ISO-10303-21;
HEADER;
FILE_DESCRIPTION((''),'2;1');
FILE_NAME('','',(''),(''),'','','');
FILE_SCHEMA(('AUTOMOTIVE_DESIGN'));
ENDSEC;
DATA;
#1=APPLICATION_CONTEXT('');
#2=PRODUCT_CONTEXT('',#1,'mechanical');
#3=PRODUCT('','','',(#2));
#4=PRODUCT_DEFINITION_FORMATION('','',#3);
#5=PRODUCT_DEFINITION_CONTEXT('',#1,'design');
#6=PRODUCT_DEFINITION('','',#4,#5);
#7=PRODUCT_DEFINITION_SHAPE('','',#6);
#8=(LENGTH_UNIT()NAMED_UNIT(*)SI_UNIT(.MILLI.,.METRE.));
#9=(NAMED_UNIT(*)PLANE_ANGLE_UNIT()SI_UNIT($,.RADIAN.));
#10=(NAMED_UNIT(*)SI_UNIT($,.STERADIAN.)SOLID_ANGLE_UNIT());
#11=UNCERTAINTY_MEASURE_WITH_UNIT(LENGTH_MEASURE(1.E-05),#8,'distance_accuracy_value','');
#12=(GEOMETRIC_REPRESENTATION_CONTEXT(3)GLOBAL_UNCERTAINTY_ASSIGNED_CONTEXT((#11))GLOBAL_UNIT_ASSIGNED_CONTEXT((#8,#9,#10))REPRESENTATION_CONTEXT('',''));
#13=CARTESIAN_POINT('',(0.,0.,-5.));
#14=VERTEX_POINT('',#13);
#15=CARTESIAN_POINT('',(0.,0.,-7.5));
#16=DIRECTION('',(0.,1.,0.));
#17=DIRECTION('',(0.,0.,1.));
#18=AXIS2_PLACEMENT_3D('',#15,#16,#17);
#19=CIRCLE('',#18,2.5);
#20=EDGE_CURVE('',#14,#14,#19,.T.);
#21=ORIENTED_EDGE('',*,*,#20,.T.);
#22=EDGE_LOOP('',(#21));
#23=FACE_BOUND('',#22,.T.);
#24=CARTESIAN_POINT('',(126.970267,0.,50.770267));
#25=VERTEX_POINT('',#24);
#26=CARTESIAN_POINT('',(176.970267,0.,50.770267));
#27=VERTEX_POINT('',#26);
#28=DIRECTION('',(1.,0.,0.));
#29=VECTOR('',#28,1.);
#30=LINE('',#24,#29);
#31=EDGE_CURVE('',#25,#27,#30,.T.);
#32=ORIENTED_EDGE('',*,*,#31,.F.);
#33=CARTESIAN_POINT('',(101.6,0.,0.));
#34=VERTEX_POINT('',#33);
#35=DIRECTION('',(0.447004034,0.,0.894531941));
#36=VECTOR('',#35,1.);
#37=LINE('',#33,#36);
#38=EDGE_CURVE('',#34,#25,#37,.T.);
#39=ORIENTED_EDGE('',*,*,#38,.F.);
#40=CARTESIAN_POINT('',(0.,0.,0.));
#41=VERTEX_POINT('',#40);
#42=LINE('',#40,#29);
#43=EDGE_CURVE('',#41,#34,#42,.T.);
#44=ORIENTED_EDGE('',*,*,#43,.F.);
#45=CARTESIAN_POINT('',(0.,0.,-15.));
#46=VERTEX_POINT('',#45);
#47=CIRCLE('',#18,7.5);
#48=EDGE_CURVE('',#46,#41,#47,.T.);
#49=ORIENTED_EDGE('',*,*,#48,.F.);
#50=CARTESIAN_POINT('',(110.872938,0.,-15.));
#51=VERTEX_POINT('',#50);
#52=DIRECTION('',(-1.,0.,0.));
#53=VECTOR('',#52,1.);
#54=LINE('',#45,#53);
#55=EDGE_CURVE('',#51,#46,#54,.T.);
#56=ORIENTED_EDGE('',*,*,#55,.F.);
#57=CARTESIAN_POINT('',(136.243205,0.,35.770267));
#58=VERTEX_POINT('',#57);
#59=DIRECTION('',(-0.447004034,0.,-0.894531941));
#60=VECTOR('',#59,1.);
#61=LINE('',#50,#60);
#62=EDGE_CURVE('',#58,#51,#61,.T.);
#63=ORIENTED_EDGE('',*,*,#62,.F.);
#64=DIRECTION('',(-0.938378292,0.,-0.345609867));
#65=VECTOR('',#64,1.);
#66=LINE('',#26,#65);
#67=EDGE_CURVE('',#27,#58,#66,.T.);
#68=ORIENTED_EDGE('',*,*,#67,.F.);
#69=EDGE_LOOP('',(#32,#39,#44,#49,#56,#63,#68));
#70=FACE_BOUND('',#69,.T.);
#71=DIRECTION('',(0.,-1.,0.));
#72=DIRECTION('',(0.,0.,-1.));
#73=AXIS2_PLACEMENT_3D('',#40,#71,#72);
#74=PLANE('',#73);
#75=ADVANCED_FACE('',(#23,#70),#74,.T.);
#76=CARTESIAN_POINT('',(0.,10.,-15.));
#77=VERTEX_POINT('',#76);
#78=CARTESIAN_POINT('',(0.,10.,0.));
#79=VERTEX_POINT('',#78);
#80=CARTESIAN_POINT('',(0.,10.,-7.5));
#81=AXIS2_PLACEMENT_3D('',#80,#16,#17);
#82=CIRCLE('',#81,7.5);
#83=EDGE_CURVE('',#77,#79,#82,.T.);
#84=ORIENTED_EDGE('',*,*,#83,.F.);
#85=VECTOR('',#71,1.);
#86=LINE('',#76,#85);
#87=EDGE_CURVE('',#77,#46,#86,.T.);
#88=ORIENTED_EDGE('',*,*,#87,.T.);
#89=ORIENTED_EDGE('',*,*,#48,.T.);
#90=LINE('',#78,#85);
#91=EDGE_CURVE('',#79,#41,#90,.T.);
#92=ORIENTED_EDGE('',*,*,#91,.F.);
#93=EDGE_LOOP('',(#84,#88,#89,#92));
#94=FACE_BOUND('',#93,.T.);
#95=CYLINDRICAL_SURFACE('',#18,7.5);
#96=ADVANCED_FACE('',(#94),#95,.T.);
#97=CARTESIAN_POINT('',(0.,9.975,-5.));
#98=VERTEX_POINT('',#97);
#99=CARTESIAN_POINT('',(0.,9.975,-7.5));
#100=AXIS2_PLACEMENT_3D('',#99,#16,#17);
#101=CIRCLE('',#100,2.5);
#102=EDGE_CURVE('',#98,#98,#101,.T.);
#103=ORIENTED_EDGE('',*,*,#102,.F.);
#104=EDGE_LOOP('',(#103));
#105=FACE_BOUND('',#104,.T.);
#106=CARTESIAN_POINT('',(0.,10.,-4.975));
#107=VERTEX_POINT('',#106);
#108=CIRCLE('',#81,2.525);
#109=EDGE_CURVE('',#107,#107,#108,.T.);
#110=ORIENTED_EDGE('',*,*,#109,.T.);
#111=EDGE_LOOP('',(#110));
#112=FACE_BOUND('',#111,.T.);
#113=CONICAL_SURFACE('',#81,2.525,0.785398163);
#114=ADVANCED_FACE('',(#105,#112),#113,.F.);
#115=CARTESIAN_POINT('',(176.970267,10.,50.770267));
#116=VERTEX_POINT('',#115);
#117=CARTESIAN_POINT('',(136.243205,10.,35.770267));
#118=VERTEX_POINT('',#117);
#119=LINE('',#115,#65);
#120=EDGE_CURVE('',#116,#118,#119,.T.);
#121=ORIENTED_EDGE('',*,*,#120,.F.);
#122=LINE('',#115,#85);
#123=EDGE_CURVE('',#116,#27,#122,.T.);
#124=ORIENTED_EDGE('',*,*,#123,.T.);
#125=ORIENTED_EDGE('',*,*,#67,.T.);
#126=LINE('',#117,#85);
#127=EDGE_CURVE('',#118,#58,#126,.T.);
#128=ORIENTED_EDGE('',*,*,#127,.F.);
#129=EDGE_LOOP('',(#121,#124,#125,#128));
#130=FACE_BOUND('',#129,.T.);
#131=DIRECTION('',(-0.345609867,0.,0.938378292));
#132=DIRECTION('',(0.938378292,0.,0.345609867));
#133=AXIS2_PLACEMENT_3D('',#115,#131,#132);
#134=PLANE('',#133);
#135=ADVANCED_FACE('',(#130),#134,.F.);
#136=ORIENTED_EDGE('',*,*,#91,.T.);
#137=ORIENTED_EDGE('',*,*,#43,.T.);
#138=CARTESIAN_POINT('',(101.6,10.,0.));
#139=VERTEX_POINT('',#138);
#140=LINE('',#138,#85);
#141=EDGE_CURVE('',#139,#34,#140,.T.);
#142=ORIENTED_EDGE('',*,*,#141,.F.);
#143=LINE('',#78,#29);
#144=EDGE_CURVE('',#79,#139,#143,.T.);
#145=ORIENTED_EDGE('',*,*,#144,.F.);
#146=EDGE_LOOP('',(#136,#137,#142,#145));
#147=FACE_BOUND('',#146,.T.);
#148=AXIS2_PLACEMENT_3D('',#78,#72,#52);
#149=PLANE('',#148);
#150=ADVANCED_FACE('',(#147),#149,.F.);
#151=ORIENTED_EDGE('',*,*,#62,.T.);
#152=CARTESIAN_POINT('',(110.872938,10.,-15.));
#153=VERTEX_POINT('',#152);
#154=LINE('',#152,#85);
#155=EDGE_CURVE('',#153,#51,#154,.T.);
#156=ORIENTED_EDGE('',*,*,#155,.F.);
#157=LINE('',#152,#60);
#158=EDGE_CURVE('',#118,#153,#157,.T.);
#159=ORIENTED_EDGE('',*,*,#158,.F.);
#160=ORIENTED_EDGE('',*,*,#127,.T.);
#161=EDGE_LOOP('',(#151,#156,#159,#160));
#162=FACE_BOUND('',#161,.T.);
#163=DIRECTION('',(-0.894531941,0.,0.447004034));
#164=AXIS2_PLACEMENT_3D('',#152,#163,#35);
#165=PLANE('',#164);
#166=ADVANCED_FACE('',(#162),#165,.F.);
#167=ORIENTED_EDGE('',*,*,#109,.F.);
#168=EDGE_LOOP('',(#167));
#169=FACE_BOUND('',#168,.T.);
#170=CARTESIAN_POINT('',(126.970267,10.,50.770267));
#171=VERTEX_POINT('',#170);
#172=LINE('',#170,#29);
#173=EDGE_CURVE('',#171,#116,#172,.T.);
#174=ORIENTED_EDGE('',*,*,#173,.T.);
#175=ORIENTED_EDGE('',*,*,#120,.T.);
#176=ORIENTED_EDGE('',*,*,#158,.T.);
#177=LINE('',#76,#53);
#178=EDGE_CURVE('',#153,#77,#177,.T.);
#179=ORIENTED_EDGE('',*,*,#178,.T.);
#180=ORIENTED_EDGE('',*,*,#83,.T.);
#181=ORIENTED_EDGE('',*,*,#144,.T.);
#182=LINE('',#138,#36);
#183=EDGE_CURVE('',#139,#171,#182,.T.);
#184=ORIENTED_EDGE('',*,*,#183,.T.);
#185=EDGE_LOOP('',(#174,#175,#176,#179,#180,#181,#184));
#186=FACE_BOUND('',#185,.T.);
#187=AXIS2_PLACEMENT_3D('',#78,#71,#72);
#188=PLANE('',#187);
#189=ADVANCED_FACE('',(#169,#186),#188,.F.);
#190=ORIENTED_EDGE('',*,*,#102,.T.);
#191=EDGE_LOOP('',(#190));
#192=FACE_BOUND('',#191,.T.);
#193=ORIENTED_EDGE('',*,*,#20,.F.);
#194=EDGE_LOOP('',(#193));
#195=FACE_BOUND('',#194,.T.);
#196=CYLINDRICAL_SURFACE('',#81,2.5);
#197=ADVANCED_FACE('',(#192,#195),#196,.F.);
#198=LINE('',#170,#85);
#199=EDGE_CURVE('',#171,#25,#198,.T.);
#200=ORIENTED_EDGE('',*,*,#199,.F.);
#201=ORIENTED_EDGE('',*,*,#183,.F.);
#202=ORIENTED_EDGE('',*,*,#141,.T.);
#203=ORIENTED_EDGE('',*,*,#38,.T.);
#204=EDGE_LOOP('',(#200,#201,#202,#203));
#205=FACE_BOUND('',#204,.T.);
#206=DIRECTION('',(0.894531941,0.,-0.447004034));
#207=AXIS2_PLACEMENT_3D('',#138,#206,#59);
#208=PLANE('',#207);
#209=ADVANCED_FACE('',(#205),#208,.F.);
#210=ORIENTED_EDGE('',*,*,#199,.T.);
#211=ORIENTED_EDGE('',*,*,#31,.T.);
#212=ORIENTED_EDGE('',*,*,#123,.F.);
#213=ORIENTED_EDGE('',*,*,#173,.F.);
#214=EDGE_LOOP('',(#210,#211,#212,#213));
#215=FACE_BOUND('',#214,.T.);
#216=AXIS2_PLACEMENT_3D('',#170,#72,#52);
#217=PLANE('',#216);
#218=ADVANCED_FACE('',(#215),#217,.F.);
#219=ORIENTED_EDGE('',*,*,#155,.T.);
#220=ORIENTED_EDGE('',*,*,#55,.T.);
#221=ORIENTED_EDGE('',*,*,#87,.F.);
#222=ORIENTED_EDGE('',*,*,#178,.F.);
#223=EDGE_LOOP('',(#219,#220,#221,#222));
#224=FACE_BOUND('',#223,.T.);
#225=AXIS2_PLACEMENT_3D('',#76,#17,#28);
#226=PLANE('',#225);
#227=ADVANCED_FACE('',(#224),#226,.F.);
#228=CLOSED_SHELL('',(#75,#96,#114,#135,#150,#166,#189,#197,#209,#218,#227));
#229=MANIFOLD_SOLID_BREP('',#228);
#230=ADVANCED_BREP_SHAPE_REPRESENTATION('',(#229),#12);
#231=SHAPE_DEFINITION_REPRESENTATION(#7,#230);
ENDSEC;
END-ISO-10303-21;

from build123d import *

# Parameters (mm, degrees)
BOSS_EXTRUDE1_DEPTH             = 10
BOSS_EXTRUDE2_DEPTH             = 10
F_5_0MM_DOWEL_HOLE2_D           = 5
F_5_0MM_DOWEL_HOLE2_CSINK_D     = 5.05
F_5_0MM_DOWEL_HOLE2_CSINK_ANGLE = 90


with BuildPart() as part:
    # Sketch1 → Boss-Extrude1 (new body)
    with BuildSketch(Plane(origin=(0, 0, 0), x_dir=(1, 0, 0), z_dir=(0, 1, 0))):
        Polygon((0, 0), (101.6, 0), (126.970266889, -50.770266889), (176.970266889, -50.770266889), (136.243205185, -35.770266889), (110.872938296, 15), (0, 15), align=None)
    extrude(amount=BOSS_EXTRUDE1_DEPTH)

    # Sketch2 → Boss-Extrude2 (add)
    with BuildSketch(Plane(origin=(0, 10, 0), x_dir=(1, 0, 0), z_dir=(0, 1, 0))):
        with BuildLine():
            Line((0, 15), (0, 0))
            ThreePointArc((0, 0), (-7.5, 7.5), (0, 15))
        make_face()
    extrude(amount=-BOSS_EXTRUDE2_DEPTH)

    # Ø5.0mm Dowel Hole2 (through all)
    with Locations(Plane(origin=(0, 10, 0), x_dir=(1, 0, 0), z_dir=(0, 1, 0))):
        with Locations((0, 7.5)):
            CounterSinkHole(F_5_0MM_DOWEL_HOLE2_D / 2, F_5_0MM_DOWEL_HOLE2_CSINK_D / 2, counter_sink_angle=F_5_0MM_DOWEL_HOLE2_CSINK_ANGLE)


solid = part.part
